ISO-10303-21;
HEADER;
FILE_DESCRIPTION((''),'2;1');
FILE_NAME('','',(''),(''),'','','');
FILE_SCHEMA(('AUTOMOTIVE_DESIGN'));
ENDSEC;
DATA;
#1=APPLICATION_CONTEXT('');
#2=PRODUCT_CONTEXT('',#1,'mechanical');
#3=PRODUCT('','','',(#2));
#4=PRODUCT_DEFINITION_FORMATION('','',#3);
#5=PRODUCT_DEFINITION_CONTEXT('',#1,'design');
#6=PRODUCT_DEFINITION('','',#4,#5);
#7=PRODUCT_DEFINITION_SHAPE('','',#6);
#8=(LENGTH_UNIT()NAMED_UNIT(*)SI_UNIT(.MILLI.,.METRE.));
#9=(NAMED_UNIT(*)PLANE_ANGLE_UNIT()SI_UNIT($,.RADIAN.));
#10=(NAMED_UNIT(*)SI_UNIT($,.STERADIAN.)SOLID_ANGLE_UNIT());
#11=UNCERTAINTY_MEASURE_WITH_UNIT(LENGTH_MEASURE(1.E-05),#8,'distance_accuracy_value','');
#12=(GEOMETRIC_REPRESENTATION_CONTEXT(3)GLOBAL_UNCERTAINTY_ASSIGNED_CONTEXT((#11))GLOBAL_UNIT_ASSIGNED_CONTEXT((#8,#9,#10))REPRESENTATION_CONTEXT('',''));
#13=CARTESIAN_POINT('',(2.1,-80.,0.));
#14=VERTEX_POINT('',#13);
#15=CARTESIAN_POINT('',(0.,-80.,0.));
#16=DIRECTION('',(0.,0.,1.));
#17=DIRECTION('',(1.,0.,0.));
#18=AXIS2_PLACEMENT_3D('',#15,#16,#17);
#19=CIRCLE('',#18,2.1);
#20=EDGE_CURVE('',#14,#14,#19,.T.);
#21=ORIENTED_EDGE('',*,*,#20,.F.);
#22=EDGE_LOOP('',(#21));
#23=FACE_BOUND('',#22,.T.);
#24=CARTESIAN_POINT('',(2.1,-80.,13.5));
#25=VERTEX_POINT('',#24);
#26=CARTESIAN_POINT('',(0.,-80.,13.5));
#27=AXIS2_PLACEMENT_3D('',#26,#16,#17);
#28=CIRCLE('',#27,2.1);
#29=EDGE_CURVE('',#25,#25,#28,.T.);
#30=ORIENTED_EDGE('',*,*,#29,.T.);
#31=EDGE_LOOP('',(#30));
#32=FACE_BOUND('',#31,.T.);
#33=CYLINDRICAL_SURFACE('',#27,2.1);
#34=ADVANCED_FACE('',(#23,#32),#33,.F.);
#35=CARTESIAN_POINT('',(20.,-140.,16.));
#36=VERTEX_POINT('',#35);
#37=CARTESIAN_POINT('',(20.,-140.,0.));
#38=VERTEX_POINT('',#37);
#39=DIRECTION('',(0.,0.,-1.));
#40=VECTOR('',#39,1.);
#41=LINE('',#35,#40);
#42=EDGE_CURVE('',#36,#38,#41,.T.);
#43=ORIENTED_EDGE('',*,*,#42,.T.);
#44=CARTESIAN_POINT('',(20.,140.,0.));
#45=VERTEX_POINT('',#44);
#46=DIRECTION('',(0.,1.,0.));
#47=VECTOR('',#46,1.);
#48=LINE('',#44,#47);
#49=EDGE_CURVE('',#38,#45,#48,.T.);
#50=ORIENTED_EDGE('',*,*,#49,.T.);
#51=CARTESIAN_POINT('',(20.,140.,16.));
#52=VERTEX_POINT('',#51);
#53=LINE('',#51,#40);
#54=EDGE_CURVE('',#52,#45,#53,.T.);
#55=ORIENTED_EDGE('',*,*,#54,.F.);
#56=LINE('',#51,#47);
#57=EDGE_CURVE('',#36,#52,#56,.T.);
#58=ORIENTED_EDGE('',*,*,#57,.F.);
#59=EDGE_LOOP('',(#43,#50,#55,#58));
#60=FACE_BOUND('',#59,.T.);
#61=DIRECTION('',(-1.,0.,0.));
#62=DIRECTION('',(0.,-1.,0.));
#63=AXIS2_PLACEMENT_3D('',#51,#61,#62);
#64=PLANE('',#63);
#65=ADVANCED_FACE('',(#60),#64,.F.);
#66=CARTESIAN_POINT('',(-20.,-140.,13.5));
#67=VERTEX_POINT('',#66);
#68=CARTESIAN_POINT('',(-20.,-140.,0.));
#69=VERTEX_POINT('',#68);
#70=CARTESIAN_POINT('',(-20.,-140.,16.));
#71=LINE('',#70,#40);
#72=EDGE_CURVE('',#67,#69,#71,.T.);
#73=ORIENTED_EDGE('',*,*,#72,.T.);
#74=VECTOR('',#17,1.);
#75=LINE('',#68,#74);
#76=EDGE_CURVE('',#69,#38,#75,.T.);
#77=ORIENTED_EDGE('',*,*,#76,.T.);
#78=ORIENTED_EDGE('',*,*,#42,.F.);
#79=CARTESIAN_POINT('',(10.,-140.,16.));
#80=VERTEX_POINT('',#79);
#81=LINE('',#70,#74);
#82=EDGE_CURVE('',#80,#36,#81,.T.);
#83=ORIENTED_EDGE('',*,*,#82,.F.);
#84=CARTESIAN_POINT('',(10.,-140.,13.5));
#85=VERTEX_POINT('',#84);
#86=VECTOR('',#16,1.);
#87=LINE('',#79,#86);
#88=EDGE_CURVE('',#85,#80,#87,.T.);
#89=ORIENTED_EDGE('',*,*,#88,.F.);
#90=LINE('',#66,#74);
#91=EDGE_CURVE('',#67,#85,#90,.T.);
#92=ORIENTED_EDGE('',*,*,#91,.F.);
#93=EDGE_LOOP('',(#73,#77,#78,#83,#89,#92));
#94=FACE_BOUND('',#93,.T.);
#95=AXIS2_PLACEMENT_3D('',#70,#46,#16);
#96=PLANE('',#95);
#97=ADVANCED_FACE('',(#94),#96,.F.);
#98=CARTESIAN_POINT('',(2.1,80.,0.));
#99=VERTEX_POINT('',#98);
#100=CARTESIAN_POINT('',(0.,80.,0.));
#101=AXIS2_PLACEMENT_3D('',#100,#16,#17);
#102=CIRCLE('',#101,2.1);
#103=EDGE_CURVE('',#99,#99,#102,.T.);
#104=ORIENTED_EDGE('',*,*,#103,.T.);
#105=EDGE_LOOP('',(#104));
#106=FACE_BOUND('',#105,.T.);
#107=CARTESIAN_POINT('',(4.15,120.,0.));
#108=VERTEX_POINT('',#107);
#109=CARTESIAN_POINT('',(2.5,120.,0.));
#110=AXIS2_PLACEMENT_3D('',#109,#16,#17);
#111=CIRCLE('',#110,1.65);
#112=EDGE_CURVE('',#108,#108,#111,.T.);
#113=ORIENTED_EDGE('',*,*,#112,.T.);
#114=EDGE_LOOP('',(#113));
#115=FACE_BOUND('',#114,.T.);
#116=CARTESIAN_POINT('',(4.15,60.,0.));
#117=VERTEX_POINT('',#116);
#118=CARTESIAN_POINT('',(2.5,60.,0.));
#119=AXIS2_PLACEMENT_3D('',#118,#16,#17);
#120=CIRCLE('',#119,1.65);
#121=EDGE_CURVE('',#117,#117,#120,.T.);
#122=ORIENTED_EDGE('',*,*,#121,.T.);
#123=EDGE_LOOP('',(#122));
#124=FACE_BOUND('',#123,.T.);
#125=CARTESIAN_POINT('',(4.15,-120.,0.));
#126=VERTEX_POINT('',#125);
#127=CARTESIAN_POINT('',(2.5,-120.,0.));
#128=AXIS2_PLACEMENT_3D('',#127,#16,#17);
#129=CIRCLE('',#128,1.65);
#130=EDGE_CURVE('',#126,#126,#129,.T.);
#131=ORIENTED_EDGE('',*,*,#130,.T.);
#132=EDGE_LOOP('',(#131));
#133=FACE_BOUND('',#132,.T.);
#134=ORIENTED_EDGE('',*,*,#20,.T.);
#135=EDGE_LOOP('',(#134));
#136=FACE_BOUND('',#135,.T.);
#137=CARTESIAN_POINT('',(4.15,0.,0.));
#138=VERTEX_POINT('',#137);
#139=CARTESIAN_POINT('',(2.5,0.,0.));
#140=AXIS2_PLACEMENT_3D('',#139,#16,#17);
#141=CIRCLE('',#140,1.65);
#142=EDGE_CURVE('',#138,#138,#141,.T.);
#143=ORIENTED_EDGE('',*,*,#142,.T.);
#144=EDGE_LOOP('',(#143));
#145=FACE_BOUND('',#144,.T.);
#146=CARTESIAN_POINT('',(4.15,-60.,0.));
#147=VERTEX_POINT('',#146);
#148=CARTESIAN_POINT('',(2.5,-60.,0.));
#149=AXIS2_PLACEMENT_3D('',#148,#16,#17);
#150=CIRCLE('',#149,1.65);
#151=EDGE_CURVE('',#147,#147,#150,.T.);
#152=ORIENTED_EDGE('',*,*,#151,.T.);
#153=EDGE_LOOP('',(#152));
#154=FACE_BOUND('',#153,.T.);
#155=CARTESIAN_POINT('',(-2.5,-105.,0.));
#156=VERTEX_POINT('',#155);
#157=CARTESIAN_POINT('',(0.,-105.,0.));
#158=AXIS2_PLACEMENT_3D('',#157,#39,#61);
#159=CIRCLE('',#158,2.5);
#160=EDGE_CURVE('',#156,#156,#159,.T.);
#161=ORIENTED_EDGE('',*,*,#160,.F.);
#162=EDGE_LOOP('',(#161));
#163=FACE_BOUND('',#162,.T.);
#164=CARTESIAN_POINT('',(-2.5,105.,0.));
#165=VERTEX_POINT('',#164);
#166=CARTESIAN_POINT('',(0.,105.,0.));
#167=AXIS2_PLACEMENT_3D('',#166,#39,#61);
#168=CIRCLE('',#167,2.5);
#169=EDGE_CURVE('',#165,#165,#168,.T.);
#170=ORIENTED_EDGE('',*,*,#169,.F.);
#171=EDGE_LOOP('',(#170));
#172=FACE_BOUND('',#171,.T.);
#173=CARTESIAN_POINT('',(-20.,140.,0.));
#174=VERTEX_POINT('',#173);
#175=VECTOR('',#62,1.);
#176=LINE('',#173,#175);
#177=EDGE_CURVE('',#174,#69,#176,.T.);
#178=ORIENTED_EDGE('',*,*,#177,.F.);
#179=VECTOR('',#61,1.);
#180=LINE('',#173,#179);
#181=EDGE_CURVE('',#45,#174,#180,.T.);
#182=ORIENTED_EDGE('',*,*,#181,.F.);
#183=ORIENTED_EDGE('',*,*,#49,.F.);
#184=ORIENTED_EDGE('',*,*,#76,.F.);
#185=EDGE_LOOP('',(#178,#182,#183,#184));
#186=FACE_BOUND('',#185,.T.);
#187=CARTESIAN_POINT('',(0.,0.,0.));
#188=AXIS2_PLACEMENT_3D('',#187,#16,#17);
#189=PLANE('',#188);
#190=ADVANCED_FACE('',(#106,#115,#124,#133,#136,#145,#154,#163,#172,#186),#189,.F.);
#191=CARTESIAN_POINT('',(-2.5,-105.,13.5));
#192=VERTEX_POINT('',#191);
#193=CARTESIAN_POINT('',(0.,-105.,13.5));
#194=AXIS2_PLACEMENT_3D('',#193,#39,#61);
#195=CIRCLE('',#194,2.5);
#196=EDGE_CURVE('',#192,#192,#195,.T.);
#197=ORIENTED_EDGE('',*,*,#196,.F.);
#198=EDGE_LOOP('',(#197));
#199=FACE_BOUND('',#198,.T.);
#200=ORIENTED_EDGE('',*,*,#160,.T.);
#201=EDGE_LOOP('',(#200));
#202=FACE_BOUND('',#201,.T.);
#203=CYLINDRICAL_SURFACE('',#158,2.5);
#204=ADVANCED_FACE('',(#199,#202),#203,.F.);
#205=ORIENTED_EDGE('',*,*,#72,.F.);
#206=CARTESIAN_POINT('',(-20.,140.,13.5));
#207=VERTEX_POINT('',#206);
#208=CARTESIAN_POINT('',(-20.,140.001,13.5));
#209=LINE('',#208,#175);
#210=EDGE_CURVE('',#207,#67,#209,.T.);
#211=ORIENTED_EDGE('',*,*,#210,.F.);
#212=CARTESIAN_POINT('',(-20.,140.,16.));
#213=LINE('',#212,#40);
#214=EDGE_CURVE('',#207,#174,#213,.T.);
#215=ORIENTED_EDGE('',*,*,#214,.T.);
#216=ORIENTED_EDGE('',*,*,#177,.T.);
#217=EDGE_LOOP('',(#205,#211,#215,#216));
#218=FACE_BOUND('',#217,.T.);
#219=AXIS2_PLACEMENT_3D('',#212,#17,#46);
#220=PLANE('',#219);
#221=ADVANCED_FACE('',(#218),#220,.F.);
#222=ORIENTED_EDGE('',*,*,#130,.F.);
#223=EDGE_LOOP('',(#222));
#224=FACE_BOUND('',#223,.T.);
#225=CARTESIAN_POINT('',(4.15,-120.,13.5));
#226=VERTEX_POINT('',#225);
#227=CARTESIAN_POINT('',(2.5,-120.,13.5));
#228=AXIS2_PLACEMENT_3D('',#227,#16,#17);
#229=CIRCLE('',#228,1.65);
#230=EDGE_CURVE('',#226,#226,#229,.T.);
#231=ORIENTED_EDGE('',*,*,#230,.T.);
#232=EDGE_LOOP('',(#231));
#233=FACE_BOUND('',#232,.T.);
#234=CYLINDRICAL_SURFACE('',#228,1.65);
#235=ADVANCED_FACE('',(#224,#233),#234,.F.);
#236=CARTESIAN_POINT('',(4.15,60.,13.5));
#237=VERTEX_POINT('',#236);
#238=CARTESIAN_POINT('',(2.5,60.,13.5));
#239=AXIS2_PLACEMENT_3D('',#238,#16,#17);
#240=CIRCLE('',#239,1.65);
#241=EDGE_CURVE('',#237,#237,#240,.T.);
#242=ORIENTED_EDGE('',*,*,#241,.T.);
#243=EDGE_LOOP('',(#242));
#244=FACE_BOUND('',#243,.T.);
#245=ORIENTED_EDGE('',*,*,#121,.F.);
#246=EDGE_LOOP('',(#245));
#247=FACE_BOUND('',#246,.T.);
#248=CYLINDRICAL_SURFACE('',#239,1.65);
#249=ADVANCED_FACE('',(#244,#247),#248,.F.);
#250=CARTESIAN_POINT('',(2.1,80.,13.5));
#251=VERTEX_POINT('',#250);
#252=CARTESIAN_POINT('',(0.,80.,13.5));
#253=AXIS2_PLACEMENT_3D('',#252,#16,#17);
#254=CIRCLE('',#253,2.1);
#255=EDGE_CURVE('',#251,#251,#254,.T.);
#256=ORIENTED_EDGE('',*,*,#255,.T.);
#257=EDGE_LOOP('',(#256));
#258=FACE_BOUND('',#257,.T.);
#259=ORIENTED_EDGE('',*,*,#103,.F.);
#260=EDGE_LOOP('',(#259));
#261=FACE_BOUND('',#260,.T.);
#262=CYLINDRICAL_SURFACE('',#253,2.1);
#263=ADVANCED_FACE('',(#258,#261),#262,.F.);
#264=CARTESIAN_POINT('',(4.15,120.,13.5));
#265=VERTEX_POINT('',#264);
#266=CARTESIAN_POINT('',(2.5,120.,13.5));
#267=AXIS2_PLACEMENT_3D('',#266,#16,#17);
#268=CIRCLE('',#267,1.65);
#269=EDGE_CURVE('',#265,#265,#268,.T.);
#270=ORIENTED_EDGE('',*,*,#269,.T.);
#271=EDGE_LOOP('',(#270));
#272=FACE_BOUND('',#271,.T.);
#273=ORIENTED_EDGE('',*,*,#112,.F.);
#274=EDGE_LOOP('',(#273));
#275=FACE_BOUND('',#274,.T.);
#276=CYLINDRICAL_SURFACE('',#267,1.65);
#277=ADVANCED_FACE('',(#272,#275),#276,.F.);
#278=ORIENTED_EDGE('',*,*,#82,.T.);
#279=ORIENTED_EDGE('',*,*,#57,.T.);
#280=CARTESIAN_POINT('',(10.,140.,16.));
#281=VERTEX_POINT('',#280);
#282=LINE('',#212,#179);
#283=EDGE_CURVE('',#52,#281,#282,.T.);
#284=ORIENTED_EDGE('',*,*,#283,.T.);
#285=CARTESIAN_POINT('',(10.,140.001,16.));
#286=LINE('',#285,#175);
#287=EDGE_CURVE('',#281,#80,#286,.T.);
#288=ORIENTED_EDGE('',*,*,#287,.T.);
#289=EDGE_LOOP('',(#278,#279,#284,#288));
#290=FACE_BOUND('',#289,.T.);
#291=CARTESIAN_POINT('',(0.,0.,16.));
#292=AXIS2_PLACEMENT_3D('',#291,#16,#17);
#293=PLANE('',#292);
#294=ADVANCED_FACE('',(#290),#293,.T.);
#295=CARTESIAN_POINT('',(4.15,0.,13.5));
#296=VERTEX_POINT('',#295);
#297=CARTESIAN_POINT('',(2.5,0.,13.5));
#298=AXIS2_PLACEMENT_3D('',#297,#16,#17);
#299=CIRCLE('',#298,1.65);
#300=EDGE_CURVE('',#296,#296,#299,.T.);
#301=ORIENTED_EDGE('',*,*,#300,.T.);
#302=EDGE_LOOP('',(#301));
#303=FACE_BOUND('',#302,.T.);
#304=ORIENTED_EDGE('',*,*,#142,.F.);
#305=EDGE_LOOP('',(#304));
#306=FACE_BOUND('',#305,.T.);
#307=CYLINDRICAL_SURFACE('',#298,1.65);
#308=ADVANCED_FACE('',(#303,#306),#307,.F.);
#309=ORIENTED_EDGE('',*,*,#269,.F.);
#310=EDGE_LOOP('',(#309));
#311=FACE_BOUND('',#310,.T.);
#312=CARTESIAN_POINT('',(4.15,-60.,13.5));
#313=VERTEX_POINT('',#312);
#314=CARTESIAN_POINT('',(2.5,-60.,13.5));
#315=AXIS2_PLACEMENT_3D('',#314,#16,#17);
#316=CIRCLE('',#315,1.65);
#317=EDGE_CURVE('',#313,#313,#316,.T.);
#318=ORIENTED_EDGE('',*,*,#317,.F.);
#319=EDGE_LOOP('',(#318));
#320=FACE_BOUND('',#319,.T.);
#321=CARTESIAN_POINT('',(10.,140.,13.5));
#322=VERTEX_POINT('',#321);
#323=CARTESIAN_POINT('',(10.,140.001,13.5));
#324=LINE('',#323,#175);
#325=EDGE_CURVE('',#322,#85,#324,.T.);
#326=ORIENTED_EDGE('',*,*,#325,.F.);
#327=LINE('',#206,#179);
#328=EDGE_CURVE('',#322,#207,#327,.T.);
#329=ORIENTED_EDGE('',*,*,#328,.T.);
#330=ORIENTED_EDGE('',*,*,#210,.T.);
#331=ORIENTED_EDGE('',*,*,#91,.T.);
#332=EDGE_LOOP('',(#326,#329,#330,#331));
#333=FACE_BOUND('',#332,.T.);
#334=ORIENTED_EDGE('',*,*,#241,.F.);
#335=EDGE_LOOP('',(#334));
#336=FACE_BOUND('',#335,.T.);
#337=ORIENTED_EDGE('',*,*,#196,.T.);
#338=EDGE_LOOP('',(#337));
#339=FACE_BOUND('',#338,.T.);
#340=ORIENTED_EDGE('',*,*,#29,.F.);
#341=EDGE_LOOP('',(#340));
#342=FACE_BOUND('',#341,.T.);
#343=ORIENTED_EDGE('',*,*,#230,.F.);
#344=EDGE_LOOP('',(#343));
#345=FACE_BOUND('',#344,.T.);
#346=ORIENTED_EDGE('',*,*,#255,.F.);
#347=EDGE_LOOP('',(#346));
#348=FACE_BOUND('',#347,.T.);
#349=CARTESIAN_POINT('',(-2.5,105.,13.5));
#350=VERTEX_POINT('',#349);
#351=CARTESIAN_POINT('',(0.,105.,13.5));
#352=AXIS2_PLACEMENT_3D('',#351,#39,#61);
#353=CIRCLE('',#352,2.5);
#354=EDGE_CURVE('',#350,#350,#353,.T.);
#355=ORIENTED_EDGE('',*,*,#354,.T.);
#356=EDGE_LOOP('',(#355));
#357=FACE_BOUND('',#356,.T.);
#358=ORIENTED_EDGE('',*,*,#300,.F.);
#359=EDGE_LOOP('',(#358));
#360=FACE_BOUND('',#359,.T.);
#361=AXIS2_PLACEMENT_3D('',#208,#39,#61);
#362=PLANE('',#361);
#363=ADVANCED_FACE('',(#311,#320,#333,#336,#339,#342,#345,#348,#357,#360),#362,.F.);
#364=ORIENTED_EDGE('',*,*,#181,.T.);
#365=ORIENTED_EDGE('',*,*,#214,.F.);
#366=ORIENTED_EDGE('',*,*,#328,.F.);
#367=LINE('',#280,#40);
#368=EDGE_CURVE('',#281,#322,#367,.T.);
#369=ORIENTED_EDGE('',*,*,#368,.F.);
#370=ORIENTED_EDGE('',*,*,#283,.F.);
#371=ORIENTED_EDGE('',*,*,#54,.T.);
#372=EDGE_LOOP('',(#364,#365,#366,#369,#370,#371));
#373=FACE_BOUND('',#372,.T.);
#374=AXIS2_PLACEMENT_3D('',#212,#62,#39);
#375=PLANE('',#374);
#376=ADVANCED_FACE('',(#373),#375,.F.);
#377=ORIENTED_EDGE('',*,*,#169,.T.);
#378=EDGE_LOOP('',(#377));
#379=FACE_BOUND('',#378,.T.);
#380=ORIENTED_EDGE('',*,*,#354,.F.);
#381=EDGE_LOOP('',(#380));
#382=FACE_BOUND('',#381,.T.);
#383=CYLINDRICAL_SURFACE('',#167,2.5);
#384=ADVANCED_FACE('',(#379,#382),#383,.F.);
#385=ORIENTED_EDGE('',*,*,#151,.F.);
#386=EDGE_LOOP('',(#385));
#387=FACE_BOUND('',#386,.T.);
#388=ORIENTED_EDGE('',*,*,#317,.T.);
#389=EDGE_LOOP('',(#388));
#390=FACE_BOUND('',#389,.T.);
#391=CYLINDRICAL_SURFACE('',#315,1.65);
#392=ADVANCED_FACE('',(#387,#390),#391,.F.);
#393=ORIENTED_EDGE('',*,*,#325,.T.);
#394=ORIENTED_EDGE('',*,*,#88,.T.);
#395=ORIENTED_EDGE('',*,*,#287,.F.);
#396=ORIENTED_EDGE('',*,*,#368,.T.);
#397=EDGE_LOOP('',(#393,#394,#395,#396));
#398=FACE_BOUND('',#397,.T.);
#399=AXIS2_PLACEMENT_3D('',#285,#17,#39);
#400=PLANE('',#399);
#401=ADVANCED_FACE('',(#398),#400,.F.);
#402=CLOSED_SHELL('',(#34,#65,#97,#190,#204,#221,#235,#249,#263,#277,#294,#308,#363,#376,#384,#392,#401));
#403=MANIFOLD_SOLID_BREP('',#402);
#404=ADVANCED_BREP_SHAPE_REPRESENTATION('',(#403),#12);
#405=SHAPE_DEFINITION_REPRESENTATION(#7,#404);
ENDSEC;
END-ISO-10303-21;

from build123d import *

# Parameters (mm, degrees)
SKETCH1_W             = 40
SKETCH1_H             = 280
EXTRUDE1_DEPTH        = 16
EXTRUDE2_REACH        = 282
SKETCH2_W             = 30
SKETCH2_H             = 2.5
M4_TAPPED_HOLE1_D     = 3.3
M6_TAPPED_HOLE1_D     = 5
M5_TAPPED_HOLE1_D     = 4.2
M5_TAPPED_HOLE1_DEPTH = 13.5


with BuildPart() as part:
    # Sketch1 → Extrude1 (new body)
    with BuildSketch(Plane.XY):
        Rectangle(SKETCH1_W, SKETCH1_H)
    extrude(amount=EXTRUDE1_DEPTH)

    # Sketch2 → Extrude2 (cut, up to next)
    with BuildSketch(Plane.XZ.offset(140), mode=Mode.PRIVATE) as extrude2_sk1:
        with Locations((-5, 14.75)):
            Rectangle(SKETCH2_W, SKETCH2_H)
    extrude2_tool1 = extrude(extrude2_sk1.sketch, amount=-EXTRUDE2_REACH, mode=Mode.PRIVATE) & part.part
    add(extrude2_tool1.solids().sort_by_distance((-5, -140, 14.75))[0], mode=Mode.SUBTRACT)

    # M4 Tapped Hole1 (through all)
    with Locations(Plane.XY.offset(13.5)):
        with Locations((2.5, -120), (2.5, -60), (2.5, 0), (2.5, 60), (2.5, 120)):
            Hole(M4_TAPPED_HOLE1_D / 2)

    # M6 Tapped Hole1 (through all)
    with Locations(Plane(origin=(0, 0, 0), x_dir=(-1, 0, 0), z_dir=(0, 0, -1))):
        with Locations((0, 105), (0, -105)):
            Hole(M6_TAPPED_HOLE1_D / 2)

    # M5 Tapped Hole1
    with Locations(Plane.XY.offset(13.5)):
        with Locations((0, 80), (0, -80)):
            Hole(M5_TAPPED_HOLE1_D / 2, depth=M5_TAPPED_HOLE1_DEPTH)


solid = part.part
